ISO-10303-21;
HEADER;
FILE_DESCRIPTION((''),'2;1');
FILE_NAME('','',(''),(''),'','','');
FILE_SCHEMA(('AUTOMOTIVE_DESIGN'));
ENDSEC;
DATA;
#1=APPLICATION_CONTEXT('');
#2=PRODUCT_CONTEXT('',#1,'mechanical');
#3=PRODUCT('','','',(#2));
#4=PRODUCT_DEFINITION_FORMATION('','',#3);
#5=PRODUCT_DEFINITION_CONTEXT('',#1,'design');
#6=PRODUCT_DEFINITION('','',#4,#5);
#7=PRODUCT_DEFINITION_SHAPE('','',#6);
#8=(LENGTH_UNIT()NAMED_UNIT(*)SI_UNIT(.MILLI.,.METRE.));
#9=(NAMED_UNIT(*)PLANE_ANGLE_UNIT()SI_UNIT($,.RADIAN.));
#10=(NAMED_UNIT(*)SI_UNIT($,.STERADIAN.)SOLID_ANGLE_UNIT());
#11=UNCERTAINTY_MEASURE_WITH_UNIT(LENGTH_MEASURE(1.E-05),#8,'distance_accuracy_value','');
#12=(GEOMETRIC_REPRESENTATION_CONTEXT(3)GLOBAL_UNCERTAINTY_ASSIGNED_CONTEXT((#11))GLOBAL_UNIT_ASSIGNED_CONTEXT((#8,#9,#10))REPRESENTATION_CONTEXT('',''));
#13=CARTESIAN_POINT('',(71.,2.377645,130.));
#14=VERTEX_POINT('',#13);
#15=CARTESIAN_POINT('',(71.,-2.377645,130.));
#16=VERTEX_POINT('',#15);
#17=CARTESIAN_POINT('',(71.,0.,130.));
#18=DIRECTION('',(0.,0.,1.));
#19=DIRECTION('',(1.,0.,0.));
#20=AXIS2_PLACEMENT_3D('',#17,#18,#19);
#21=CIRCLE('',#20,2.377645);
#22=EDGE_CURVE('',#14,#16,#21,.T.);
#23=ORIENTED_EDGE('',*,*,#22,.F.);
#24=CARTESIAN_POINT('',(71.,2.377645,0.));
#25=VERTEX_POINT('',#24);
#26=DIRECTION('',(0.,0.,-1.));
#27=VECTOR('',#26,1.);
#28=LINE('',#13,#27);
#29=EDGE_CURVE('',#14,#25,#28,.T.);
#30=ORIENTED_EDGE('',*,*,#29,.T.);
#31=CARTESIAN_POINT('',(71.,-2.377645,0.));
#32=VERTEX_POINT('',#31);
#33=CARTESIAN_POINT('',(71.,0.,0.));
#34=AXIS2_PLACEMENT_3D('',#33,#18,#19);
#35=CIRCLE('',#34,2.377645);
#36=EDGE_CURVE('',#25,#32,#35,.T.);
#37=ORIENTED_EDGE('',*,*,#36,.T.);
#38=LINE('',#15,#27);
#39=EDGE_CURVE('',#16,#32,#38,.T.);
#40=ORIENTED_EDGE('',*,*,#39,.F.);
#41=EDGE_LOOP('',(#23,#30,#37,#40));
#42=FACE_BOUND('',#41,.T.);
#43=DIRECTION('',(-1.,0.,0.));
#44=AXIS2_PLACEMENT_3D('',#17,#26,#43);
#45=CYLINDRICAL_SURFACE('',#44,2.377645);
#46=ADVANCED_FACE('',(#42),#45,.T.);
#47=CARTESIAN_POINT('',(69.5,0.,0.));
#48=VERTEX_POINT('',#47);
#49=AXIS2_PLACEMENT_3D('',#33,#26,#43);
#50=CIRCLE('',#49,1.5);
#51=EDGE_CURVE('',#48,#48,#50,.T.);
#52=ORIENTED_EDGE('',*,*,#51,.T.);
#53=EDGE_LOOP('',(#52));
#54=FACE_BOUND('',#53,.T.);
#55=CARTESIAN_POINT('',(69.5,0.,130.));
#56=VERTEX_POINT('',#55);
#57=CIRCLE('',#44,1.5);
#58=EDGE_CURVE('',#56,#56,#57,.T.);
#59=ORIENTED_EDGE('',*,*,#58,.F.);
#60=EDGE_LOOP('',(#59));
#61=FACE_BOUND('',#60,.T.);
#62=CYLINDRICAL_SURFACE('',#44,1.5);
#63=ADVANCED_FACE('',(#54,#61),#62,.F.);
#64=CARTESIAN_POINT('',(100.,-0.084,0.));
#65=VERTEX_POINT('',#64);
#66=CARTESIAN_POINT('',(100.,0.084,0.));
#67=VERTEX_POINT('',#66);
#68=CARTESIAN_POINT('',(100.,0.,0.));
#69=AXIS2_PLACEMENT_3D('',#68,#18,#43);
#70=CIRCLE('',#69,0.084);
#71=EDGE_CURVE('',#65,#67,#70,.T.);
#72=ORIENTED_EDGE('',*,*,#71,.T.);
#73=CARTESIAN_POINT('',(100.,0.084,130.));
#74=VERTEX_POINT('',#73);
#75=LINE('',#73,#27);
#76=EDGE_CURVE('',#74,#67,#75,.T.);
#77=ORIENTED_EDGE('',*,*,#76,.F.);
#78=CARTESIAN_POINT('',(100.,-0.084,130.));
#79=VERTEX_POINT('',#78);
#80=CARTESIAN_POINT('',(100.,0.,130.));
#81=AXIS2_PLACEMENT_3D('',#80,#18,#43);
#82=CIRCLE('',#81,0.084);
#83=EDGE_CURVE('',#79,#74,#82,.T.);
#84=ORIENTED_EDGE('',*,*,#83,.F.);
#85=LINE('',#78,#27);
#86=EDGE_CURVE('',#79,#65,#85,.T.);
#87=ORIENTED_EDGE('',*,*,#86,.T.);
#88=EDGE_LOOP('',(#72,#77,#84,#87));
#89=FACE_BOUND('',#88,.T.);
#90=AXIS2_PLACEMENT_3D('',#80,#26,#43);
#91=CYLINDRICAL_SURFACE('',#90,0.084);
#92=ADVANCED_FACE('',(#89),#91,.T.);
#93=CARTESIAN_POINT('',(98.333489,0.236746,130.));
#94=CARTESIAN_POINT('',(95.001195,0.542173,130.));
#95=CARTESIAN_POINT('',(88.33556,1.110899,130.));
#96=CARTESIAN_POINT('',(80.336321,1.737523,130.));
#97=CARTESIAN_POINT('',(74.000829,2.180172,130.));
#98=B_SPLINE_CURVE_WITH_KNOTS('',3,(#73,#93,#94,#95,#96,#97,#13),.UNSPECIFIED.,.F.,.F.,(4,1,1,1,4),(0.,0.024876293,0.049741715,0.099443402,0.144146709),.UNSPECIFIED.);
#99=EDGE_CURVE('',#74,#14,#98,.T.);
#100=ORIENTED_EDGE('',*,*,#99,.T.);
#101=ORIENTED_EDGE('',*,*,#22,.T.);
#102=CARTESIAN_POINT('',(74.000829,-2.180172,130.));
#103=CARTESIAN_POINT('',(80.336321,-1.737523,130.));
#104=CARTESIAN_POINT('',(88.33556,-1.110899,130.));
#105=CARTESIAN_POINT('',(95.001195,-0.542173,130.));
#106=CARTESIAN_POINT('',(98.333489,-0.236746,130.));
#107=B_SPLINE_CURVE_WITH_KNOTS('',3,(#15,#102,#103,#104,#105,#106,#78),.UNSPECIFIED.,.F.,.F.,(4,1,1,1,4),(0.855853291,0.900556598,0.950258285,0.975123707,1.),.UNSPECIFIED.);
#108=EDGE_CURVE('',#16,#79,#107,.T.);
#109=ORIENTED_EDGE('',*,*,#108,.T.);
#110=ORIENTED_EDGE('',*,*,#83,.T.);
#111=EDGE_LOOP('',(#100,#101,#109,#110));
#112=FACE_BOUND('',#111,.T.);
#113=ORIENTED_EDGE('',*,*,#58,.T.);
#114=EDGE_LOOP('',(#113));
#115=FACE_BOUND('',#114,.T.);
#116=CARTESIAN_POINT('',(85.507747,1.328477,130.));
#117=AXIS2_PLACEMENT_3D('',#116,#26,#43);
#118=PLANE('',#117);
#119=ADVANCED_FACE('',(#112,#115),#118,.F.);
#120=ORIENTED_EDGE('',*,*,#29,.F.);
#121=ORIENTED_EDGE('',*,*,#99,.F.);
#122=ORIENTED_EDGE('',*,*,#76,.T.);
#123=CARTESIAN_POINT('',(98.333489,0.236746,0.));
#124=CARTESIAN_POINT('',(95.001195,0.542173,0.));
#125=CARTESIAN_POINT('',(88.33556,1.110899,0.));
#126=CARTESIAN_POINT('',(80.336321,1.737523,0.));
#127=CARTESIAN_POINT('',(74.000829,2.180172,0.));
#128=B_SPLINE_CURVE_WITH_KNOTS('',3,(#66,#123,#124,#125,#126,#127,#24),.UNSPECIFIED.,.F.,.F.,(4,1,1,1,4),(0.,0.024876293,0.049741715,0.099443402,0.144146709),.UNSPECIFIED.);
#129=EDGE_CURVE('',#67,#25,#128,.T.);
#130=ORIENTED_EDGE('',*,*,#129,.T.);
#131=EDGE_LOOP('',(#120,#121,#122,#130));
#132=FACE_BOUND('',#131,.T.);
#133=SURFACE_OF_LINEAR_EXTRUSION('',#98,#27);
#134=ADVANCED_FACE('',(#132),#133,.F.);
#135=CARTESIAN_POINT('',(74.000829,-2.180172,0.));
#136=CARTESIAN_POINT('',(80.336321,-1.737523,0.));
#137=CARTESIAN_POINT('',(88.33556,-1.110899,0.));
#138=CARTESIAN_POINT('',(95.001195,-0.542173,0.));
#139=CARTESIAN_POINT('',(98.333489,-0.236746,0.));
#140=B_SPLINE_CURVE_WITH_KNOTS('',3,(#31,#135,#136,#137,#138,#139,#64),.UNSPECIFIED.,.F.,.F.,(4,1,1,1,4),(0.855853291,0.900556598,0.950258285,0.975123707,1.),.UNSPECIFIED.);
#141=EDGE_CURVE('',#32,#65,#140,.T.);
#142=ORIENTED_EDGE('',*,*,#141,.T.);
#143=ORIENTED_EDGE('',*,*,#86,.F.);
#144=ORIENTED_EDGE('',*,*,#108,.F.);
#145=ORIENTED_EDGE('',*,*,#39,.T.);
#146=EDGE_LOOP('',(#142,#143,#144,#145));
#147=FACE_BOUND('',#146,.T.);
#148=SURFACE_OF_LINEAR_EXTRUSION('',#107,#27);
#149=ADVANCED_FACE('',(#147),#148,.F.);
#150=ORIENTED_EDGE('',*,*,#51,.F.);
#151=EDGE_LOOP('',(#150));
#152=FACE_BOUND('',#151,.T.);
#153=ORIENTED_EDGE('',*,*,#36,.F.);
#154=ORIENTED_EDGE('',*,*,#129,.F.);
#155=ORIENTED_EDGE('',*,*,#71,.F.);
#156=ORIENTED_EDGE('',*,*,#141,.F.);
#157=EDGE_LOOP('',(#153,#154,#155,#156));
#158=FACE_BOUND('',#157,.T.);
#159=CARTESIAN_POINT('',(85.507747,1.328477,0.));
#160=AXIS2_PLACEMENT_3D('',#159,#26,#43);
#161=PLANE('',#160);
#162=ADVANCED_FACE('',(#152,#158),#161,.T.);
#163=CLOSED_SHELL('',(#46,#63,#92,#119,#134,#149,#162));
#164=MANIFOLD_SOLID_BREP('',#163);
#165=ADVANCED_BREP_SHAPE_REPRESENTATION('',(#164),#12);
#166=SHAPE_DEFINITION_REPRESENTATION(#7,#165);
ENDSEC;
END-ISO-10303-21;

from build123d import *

# Parameters (mm, degrees)
CORPOFOAM_DEPTH = 130
SCHIZZO2_R      = 1.5
FOROPERNO_DEPTH = 165.080651811


with BuildPart() as part:
    # Schizzo1 → CorpoFoam (new body)
    with BuildSketch(Plane.XY):
        with BuildLine():
            ThreePointArc((100, 0.084), (100.084, 0), (100, -0.084))
            add(Edge.make_bspline(
                [(71, -2.377645078), (74.000829106, -2.180171911), (80.336320929, -1.737523123), (88.335559621, -1.11089898), (95.001194725, -0.542172688), (98.333488815, -0.23674648), (100, -0.084)],
                knots=[0.855853291, 0.855853291, 0.855853291, 0.855853291, 0.900556598, 0.950258285, 0.975123707, 1, 1, 1, 1], degree=3))
            ThreePointArc((71, -2.377645078), (68.622354922, 0), (71, 2.377645078))
            add(Edge.make_bspline(
                [(100, 0.084), (98.333488815, 0.23674648), (95.001194725, 0.542172689), (88.335559621, 1.11089898), (80.336320929, 1.737523123), (74.000829106, 2.180171911), (71, 2.377645078)],
                knots=[0, 0, 0, 0, 0.024876293, 0.049741715, 0.099443402, 0.144146709, 0.144146709, 0.144146709, 0.144146709], degree=3))
        make_face()
    extrude(amount=CORPOFOAM_DEPTH)

    # Schizzo2 → ForoPerno (cut, through all)
    with BuildSketch(Plane(origin=(0, 0, 0), x_dir=(-1, 0, 0), z_dir=(0, 0, -1))):
        with Locations((-71, 0)):
            Circle(SCHIZZO2_R)
    extrude(amount=-FOROPERNO_DEPTH, mode=Mode.SUBTRACT)


solid = part.part
